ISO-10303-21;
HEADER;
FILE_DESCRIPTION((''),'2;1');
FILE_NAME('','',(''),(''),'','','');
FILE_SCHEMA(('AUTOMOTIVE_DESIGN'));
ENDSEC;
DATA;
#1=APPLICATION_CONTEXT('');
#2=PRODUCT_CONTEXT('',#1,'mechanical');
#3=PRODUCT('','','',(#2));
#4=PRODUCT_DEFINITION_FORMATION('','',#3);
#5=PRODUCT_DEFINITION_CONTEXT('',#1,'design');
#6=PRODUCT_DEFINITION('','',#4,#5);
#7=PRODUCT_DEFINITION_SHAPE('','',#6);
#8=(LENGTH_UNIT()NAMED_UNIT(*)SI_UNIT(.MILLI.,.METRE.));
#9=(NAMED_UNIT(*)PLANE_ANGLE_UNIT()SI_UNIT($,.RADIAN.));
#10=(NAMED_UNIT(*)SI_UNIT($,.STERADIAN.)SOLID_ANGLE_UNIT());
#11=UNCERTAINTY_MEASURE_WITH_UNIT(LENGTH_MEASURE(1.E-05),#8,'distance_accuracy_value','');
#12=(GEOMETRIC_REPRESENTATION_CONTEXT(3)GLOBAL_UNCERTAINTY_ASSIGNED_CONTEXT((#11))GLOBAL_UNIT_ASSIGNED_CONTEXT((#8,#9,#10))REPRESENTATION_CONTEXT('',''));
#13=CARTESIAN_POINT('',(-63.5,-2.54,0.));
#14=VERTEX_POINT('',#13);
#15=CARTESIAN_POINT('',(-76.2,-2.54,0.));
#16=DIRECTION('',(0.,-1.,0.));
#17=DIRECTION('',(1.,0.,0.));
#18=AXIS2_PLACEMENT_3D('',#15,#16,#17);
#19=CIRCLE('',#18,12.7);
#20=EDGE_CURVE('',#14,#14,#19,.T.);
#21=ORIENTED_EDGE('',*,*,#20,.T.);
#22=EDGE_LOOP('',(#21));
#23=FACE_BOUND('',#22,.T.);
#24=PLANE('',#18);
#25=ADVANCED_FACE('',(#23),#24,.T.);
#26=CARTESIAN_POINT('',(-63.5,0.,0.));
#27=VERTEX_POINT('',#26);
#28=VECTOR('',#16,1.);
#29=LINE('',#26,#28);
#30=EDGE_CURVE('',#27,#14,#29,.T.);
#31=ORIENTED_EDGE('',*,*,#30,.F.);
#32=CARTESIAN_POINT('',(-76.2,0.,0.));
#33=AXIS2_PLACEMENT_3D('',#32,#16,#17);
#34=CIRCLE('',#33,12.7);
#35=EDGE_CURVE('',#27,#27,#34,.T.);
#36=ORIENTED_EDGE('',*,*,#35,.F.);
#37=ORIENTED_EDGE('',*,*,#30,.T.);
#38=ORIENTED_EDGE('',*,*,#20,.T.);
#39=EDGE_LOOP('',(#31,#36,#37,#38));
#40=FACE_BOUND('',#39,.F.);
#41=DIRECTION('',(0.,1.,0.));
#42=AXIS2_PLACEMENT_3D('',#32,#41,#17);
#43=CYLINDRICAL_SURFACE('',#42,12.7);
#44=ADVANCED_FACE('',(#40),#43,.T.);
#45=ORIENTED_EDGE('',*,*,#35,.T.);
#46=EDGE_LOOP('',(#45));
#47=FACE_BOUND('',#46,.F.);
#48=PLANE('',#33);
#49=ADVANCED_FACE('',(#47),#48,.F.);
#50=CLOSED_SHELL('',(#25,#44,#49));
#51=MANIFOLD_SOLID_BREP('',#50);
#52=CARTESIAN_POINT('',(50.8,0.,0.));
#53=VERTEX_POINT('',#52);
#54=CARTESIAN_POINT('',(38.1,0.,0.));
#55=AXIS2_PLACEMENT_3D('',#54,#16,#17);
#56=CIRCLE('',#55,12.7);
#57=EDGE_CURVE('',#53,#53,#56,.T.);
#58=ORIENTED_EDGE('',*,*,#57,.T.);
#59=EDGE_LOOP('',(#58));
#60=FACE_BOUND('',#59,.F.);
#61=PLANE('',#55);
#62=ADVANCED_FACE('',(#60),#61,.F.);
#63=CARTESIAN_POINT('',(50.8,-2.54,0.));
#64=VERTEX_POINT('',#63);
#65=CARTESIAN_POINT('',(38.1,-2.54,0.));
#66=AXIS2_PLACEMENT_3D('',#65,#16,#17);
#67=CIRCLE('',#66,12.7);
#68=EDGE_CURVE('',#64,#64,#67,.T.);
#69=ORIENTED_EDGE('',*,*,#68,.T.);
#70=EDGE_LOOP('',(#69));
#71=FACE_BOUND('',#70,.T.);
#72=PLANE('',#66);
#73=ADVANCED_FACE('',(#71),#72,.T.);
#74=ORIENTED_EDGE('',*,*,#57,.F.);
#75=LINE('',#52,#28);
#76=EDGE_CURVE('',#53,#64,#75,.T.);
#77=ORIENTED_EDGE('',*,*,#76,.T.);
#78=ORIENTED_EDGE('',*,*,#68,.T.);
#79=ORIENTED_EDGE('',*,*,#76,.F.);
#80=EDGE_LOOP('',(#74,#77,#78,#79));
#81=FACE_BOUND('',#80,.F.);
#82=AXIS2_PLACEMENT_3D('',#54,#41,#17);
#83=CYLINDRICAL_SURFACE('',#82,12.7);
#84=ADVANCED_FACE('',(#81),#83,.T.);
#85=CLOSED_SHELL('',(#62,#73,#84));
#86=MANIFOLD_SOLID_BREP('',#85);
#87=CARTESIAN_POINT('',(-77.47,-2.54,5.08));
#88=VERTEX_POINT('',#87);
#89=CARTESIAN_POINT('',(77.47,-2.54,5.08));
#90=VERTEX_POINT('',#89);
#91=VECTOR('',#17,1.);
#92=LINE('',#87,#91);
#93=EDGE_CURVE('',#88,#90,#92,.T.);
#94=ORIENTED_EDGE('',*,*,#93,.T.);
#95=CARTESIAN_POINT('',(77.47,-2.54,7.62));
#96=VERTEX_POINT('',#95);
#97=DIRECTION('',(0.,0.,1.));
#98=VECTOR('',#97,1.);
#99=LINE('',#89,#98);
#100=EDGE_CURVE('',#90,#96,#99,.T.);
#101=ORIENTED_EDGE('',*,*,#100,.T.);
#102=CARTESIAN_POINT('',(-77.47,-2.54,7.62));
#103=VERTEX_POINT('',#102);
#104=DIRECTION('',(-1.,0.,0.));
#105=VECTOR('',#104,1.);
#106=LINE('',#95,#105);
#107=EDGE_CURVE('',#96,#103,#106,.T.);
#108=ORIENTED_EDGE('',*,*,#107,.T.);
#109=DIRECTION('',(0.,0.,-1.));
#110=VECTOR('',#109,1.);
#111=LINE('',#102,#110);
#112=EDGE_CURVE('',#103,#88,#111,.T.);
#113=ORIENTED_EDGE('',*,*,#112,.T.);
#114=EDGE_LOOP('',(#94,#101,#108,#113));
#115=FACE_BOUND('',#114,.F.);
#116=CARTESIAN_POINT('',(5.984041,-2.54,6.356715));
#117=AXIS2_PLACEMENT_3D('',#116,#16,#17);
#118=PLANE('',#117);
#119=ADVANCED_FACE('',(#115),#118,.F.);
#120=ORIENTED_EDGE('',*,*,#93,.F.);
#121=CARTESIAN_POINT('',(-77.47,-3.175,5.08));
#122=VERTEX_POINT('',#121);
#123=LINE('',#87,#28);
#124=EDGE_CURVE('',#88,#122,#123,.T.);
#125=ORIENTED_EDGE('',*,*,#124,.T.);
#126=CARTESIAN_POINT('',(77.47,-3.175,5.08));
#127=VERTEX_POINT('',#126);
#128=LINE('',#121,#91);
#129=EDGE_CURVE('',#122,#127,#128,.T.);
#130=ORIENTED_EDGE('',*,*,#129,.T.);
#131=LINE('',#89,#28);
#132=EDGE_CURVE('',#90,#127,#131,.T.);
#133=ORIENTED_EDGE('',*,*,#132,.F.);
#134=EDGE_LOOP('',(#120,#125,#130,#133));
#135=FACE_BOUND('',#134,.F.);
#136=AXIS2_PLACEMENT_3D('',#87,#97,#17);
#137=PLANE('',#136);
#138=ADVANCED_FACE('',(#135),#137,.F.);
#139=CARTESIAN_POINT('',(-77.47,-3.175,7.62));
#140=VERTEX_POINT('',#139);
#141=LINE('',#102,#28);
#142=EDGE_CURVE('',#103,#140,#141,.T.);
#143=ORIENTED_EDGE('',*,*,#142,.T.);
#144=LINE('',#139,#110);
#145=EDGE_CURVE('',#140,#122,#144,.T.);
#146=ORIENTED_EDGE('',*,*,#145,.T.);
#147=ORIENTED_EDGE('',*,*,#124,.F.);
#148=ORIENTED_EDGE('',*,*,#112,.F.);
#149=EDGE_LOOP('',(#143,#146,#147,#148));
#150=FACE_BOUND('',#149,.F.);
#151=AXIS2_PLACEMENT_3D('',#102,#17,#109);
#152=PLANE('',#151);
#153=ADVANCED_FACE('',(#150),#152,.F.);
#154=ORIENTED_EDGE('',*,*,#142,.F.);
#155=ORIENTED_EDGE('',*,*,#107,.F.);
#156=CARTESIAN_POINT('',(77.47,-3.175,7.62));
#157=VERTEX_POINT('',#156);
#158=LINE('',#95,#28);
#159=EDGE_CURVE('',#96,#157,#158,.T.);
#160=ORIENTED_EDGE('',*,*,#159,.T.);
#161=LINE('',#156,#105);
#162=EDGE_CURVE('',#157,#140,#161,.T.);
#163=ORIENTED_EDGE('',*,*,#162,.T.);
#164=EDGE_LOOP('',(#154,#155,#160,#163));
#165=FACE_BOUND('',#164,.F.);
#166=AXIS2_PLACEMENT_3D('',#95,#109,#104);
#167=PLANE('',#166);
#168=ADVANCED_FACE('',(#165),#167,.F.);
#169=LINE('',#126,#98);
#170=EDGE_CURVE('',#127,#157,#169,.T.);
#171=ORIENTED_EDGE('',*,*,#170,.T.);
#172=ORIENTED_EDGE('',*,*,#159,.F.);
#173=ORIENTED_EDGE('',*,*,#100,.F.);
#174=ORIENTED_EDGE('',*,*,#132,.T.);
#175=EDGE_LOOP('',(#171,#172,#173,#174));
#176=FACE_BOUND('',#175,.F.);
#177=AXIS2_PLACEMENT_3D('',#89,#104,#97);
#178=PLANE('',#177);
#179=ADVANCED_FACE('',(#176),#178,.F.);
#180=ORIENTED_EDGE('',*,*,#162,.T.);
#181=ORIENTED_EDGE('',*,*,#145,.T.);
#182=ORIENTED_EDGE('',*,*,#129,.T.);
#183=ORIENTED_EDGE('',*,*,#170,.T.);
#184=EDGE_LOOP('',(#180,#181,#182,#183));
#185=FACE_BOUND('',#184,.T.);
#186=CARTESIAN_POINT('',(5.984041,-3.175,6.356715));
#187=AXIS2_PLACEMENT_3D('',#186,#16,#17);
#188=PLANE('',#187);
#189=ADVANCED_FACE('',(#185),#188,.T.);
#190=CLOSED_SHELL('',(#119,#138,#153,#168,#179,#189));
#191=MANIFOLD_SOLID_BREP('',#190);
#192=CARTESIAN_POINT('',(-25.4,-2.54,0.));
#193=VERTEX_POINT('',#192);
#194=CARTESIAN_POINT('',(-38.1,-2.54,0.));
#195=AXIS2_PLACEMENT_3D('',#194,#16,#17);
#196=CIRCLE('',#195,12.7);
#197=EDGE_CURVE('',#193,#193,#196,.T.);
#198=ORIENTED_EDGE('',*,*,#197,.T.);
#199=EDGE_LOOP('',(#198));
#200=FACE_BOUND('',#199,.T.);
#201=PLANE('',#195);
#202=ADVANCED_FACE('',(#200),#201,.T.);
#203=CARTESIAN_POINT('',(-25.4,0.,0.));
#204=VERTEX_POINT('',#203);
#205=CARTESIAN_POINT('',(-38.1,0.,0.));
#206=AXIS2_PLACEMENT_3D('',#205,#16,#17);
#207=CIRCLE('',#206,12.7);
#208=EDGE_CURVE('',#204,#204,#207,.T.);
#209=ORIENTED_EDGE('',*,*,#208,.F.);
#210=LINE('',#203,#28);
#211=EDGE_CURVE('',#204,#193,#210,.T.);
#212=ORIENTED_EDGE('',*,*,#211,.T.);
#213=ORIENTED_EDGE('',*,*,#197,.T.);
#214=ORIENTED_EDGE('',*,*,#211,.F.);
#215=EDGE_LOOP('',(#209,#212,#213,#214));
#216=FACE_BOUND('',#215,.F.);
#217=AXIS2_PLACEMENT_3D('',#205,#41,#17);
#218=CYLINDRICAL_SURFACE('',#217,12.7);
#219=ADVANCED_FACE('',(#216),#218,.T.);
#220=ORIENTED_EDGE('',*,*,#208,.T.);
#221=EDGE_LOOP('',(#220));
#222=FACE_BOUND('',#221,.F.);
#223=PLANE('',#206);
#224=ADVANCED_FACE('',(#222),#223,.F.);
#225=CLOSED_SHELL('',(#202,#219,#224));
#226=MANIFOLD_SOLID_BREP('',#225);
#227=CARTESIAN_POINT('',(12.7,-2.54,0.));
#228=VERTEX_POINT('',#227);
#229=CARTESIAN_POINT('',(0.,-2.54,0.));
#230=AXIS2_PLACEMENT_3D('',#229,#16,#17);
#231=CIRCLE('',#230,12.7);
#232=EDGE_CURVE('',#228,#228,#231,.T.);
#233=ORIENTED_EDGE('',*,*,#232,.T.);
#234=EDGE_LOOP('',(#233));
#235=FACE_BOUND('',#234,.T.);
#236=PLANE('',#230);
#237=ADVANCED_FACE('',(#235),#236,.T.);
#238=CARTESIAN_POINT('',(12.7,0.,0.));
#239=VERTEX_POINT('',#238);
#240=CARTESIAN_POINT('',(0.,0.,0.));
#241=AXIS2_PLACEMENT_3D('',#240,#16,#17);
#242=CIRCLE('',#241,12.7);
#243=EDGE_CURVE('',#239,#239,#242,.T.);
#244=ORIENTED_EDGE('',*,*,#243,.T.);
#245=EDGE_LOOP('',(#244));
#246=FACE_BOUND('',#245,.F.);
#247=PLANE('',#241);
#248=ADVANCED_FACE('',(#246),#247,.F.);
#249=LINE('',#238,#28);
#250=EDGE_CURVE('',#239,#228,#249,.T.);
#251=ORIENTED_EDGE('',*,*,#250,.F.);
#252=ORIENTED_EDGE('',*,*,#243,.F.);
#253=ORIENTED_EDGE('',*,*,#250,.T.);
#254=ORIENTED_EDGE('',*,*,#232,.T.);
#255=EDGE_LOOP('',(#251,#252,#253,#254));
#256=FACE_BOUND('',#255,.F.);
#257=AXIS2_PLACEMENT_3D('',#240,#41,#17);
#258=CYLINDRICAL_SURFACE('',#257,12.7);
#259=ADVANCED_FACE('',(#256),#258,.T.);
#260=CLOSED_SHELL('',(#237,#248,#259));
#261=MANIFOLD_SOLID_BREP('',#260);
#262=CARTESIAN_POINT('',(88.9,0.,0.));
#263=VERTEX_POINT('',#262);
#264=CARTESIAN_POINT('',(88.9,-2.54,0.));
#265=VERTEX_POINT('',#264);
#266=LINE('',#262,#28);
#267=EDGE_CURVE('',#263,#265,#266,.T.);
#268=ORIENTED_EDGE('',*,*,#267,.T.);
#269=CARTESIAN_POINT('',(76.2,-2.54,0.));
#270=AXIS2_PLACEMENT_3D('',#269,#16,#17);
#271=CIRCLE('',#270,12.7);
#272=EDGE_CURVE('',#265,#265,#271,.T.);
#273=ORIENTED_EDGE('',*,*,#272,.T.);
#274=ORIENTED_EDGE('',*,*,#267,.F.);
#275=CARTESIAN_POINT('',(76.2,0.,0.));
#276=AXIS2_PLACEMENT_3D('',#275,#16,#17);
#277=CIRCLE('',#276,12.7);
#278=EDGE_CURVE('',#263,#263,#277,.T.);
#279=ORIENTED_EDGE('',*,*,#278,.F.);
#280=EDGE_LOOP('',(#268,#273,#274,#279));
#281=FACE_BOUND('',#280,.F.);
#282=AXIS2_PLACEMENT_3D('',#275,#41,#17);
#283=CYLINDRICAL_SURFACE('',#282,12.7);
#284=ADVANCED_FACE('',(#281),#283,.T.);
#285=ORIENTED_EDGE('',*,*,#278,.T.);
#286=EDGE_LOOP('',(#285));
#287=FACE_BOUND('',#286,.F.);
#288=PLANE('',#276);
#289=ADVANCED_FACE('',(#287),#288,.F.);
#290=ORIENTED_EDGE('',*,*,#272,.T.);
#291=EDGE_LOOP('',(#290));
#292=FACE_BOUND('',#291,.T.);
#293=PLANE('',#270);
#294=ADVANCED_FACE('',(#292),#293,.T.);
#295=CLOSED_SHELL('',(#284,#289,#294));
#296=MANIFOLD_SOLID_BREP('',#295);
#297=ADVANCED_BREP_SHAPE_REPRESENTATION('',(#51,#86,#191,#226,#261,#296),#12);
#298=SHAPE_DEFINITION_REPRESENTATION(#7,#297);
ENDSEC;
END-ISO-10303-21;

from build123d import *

# Parameters (mm, degrees)
F0_R     = 12.7
F1_DEPTH = 2.54
F3_DEPTH = 0.635


with BuildPart() as f1:
    # F0 (on Front) → F1 (new body)
    with BuildSketch(Plane.XZ):
        with Locations((-76.2, 0)):
            Circle(F0_R)
        with Locations((-38.1, 0)):
            Circle(F0_R)
        Circle(F0_R)
        with Locations((38.1, 0)):
            Circle(F0_R)
        with Locations((76.2, 0)):
            Circle(F0_R)
    extrude(amount=F1_DEPTH)


with BuildPart() as f3:
    # F2 (on face) → F3 (new body)
    with BuildSketch(Plane.XZ.offset(2.54)):
        with BuildLine():
            Line((-48.26, 7.62), (-66.04, 7.62))
            ThreePointArc((-66.04, 7.62), (-65.226391, 6.392958), (-64.560258, 5.08))
            Line((-64.560258, 5.08), (-49.739742, 5.08))
            Line((-49.739742, 5.08), (-26.460258, 5.08))
            Line((-26.460258, 5.08), (-11.639742, 5.08))
            Line((-11.639742, 5.08), (11.639742, 5.08))
            Line((11.639742, 5.08), (26.460258, 5.08))
            Line((26.460258, 5.08), (49.739742, 5.08))
            Line((49.739742, 5.08), (64.560258, 5.08))
            Line((64.560258, 5.08), (77.47, 5.08))
            Line((77.47, 5.08), (77.47, 7.62))
            Line((77.47, 7.62), (66.04, 7.62))
            Line((66.04, 7.62), (48.26, 7.62))
            Line((48.26, 7.62), (27.94, 7.62))
            Line((27.94, 7.62), (10.16, 7.62))
            Line((10.16, 7.62), (-10.16, 7.62))
            Line((-10.16, 7.62), (-27.94, 7.62))
            Line((-27.94, 7.62), (-48.26, 7.62))
        make_face()
        with BuildLine():
            ThreePointArc((-64.560258, 5.08), (-65.226391, 6.392958), (-66.04, 7.62))
            Line((-66.04, 7.62), (-77.47, 7.62))
            Line((-77.47, 7.62), (-77.47, 5.08))
            Line((-77.47, 5.08), (-64.560258, 5.08))
        make_face()
    extrude(amount=F3_DEPTH)


solid = Compound([f1.part, f3.part])
